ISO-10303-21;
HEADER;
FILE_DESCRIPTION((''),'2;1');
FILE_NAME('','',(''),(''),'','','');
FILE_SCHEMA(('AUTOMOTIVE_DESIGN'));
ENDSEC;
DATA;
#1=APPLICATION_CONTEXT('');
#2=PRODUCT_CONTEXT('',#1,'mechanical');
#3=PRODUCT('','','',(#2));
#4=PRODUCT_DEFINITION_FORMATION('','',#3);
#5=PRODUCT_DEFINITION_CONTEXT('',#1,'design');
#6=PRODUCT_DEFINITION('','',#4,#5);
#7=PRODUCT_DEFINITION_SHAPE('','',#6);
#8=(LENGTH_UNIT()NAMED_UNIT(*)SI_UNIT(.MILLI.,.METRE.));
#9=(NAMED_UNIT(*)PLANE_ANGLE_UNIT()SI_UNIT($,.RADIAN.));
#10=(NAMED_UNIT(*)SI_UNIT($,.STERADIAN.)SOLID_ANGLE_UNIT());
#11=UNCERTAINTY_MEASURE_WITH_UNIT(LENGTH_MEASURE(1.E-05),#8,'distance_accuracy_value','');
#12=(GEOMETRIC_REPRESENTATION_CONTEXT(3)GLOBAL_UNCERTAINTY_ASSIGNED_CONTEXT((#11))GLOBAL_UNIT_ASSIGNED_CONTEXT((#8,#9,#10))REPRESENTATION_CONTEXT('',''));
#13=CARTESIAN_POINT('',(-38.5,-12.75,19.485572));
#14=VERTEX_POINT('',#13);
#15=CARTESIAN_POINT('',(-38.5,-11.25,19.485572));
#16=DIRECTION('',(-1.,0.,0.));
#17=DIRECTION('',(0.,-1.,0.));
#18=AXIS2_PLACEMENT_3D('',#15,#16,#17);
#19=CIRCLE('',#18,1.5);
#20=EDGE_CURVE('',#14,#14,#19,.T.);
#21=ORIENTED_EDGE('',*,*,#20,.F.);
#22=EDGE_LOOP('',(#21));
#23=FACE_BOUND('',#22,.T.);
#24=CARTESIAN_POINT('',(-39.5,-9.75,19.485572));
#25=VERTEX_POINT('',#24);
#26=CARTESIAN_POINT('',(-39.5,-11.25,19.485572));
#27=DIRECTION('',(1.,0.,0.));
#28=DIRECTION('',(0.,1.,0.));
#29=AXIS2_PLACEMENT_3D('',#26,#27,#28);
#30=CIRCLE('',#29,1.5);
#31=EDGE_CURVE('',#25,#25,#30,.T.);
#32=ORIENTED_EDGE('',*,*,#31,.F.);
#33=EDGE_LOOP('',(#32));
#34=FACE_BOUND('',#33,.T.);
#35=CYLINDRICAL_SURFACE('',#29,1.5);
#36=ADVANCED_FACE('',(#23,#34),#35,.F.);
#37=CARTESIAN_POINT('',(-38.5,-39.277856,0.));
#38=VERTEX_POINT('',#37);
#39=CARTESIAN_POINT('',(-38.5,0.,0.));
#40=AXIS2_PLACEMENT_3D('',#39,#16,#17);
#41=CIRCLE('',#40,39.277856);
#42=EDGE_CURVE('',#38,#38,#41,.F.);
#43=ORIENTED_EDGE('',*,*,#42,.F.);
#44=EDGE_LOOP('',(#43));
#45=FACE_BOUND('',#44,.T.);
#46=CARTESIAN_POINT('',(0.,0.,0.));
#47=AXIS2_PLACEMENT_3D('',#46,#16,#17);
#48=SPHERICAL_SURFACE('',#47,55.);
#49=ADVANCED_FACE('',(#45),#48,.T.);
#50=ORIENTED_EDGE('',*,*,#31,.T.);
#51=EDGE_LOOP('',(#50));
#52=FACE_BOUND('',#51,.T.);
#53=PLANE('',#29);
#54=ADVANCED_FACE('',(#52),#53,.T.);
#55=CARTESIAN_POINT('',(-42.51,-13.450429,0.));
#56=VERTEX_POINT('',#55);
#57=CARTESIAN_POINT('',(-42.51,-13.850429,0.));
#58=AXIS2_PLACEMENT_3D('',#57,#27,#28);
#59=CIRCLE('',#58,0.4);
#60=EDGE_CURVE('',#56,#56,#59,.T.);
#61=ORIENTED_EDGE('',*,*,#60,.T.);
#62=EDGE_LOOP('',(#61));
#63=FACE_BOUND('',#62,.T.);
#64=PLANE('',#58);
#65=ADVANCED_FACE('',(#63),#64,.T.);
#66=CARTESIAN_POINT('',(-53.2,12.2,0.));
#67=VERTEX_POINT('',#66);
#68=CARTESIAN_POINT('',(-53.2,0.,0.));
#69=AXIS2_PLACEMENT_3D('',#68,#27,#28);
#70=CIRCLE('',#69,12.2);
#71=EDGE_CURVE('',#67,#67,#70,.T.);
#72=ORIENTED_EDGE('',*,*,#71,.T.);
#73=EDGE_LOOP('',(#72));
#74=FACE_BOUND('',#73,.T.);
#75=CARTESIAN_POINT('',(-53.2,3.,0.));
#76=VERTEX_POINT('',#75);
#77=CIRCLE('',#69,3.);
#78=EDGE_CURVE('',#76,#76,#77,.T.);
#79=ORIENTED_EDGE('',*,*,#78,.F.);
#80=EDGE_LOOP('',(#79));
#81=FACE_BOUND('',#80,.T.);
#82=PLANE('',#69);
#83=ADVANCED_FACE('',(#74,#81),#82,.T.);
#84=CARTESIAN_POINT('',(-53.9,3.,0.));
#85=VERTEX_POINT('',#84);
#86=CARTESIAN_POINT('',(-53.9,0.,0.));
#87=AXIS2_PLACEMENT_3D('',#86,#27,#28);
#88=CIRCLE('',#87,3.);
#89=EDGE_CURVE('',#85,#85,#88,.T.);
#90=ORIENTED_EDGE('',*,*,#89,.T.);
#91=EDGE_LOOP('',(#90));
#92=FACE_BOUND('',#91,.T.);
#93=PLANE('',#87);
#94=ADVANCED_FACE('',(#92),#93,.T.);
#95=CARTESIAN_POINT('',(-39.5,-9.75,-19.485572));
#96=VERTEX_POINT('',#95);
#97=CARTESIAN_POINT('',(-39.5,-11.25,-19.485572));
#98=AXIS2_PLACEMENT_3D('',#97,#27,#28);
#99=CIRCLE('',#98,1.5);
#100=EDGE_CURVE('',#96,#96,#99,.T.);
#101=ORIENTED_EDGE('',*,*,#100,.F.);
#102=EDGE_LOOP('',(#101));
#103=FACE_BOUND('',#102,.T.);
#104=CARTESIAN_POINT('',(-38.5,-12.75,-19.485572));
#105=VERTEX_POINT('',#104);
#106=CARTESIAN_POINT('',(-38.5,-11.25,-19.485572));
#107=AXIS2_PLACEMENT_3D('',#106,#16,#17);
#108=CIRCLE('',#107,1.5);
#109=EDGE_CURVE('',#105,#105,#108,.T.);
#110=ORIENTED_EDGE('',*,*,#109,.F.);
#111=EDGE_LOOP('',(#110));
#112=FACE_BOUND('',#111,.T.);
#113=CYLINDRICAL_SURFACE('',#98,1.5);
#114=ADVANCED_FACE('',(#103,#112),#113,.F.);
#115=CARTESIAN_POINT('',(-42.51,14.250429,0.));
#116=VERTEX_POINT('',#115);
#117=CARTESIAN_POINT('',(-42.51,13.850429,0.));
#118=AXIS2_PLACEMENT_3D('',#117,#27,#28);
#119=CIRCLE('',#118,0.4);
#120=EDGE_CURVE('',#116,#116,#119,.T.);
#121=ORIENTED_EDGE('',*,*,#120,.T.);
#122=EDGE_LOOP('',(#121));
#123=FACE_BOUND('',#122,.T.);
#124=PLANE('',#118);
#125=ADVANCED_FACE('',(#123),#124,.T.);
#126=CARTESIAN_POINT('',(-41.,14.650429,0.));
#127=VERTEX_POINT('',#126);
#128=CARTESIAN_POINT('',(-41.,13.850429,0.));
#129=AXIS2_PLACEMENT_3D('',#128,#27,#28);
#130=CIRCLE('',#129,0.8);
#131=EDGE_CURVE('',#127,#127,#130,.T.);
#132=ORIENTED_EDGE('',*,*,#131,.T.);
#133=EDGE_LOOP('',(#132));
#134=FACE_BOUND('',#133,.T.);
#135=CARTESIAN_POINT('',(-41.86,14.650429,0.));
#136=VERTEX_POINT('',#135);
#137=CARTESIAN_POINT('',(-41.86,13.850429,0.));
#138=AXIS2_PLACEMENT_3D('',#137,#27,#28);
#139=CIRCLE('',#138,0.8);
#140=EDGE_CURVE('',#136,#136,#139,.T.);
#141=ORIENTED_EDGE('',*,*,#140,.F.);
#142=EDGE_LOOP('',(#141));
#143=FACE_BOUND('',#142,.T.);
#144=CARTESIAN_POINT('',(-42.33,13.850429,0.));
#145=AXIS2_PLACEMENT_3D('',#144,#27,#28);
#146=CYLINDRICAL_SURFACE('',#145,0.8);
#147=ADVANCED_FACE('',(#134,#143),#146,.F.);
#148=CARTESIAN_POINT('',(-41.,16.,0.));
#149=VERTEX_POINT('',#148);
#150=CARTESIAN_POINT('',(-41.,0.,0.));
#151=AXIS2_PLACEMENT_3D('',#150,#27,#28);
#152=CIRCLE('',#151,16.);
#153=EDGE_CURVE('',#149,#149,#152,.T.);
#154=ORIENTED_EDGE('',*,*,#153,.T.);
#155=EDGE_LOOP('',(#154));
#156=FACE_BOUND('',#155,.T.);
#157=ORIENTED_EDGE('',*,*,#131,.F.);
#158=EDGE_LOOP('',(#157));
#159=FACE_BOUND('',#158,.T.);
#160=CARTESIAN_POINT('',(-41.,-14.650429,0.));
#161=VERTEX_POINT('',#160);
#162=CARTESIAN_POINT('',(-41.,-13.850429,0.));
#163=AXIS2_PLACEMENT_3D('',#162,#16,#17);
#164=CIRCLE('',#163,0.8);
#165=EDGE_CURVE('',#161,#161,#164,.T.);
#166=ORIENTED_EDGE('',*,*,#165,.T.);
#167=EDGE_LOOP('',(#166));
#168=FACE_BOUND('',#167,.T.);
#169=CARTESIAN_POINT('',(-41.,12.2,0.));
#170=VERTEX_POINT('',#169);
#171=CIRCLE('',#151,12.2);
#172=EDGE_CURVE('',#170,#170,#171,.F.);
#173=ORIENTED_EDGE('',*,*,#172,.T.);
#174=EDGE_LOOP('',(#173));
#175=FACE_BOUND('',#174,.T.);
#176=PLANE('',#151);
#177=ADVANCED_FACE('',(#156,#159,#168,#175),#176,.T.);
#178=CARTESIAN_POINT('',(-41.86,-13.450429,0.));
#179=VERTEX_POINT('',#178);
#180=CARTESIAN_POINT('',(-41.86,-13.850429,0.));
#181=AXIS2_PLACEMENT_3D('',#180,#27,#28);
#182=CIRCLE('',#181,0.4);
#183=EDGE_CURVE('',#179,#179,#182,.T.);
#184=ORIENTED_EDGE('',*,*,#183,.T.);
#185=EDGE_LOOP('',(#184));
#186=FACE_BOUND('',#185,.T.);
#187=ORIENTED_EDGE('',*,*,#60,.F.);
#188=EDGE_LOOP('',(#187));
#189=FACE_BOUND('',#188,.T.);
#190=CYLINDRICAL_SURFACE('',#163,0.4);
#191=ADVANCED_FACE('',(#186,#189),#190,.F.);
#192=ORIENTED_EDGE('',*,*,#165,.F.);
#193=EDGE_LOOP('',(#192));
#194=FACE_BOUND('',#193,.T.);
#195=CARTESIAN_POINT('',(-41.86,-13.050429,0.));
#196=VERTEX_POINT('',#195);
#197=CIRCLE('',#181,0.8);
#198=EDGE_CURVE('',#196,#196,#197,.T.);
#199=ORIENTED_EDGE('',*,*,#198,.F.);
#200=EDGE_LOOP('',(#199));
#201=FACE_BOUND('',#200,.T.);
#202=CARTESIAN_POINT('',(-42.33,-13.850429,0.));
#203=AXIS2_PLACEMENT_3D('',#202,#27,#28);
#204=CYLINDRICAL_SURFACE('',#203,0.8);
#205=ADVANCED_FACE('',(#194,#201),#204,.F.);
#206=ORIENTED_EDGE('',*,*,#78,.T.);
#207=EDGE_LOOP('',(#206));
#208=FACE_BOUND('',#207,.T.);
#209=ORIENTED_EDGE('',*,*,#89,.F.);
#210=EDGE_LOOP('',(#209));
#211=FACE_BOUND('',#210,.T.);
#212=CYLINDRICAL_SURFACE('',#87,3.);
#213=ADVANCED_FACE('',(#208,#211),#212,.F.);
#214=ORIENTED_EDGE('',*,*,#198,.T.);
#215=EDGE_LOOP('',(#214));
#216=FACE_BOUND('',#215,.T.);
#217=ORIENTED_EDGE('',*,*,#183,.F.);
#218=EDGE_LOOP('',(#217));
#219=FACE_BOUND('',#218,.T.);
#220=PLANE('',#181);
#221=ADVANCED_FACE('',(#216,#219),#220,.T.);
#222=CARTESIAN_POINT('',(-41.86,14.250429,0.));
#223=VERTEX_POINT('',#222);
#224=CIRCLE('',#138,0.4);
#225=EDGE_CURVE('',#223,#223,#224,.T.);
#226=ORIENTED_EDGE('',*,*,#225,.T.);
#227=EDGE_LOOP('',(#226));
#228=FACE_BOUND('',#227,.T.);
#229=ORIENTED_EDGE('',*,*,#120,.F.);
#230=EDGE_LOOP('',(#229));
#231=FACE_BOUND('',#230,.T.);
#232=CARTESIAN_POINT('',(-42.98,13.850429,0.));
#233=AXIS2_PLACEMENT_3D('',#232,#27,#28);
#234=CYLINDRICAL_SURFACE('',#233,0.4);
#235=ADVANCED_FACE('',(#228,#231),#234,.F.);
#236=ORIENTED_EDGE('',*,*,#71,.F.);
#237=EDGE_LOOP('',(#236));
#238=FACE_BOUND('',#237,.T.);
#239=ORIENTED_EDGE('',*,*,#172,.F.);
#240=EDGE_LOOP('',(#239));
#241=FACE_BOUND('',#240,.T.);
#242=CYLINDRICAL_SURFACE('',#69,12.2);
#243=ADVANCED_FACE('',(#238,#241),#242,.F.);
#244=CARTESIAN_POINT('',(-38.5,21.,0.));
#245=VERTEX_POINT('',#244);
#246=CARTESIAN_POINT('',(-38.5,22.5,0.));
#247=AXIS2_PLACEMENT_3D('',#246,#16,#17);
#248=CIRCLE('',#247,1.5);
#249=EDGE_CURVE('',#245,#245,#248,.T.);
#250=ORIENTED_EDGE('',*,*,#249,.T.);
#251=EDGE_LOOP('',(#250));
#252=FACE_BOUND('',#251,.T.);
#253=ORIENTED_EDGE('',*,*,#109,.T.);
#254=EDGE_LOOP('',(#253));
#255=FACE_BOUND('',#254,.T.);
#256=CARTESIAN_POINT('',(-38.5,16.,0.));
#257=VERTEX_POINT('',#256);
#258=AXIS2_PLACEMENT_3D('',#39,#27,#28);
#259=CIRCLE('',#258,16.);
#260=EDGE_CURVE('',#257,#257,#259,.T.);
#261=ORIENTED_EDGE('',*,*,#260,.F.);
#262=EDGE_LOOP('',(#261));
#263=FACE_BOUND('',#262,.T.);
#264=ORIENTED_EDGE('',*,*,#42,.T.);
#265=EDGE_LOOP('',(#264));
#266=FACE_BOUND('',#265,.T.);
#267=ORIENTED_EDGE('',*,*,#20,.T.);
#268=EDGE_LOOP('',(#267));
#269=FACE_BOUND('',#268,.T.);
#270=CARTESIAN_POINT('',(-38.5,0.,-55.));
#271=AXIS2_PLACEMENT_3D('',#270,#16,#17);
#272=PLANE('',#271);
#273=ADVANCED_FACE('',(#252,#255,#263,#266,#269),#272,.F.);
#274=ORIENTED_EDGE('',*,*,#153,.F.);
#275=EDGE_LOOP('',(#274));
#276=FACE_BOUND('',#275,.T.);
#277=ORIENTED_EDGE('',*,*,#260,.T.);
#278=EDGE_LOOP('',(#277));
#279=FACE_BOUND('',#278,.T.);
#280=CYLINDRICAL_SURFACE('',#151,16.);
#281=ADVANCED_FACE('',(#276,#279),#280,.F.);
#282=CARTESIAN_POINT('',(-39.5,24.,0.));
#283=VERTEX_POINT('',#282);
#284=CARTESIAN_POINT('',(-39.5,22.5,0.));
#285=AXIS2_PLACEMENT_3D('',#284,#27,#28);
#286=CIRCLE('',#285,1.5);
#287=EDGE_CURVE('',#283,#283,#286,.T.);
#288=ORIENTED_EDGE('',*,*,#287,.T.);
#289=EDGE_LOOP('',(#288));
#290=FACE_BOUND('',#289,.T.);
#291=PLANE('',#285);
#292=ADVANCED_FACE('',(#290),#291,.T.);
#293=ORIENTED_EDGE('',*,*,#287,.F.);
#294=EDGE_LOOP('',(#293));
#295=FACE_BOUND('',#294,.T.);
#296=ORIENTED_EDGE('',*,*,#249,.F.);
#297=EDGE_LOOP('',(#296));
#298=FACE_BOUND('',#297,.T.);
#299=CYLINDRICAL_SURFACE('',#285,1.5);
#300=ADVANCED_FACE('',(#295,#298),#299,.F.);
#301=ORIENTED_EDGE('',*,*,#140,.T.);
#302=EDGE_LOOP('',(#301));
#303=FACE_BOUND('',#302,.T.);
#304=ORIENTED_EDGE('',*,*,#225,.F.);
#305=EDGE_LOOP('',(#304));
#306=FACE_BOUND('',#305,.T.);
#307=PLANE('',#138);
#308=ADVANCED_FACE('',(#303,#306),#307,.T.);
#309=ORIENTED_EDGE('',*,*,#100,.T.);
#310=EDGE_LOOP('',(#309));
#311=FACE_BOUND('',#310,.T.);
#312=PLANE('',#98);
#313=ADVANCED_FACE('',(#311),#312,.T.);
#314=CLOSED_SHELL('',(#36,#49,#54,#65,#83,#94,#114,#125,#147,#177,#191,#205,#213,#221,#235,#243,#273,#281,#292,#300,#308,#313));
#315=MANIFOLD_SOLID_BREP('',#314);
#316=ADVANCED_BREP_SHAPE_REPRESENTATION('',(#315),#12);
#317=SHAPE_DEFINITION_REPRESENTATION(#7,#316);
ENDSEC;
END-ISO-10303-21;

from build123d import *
from build123d.topology import SkipClean

# Parameters (mm, degrees)
CUT_EXTRUDE_1_DEPTH      = 96.262794416
CUT_EXTRUDE_1_DEPTH_BACK = 96.262794416
SKETCH_3_R               = 12.2
CUT_EXTRUDE_2_DEPTH      = 14.7
SKETCH_4_R               = 3
CUT_EXTRUDE_3_DEPTH      = 0.7
SKETCH_5_R               = 1.5
EXTRUDE_1_DEPTH          = 1
CUT_EXTRUDE_START        = -2
SKETCH_6_R               = 1.5
CUT_EXTRUDE_4_DEPTH      = 2
SKETCH_7_R               = 16
CUT_EXTRUDE_5_DEPTH      = 2.5
SKETCH_8_R               = 1.598234635
CUT_EXTRUDE_6_DEPTH      = 1.33
SKETCH_9_R               = 0.8
CUT_EXTRUDE_9_DEPTH      = 1.98
EXTRUDE_START            = 1.98
SKETCH_13_R              = 0.8
EXTRUDE_2_DEPTH          = 1.98
EXTRUDE_START_2          = 1.33
SKETCH_15_R              = 1.598234635
EXTRUDE_3_DEPTH          = 1.33
SKETCH_18_R              = 0.8
EXTRUDE_5_DEPTH          = 1.98
SKETCH_16_R              = 1.598234635
EXTRUDE_6_DEPTH          = 1.33
SKETCH_19_R              = 0.4
CUT_EXTRUDE_10_DEPTH     = 1.98
CUT_EXTRUDE_START_2      = 1.98
SKETCH_21_R              = 0.4
CUT_EXTRUDE_13_DEPTH     = 1.98
SKETCH_22_R              = 0.8
CUT_EXTRUDE_14_DEPTH     = 1.33
EXTRUDE_START_3          = 0.47
SKETCH_24_R              = 0.4
EXTRUDE_8_DEPTH          = 0.47
SKETCH_25_R              = 0.8
SKETCH_25_R_2            = 0.4
EXTRUDE_10_DEPTH         = 0.47


with BuildPart() as part:
    # 草图1 → 旋转4 (revolve)
    with BuildSketch(Plane.XY):
        with BuildLine():
            Line((0, 55), (0, -55))
            ThreePointArc((0, -55), (-55, 0), (0, 55))
        make_face()
    revolve(axis=Axis((0, 55, 0), (0, -1, 0)))

    # 草图2 → 切除-拉伸1 (cut, two sides: drawn at the far end of the back side and taken through both)
    with SkipClean():  # the faces are left unmerged after this step: merging them gives an invalid solid
        with BuildSketch(Plane.XY.offset(-CUT_EXTRUDE_1_DEPTH_BACK)):
            Polygon((0, 55), (-38.5, 55), (-38.5, -53.32864138), (-38.5, -63.890241206), (57.744437859, -63.890241206), (57.744437859, 55), align=None)
        extrude(amount=CUT_EXTRUDE_1_DEPTH + CUT_EXTRUDE_1_DEPTH_BACK, mode=Mode.SUBTRACT)

    # 草图3 → 切除-拉伸2 (cut)
    with SkipClean():  # the faces are left unmerged after this step: merging them gives an invalid solid
        with BuildSketch(Plane(origin=(-38.5, 0, 0), x_dir=(0, 0, -1), z_dir=(1, 0, 0))):
            with Locations(Location((0, 0, 0), (0, 0, 90))):
                Circle(SKETCH_3_R)
        extrude(amount=-CUT_EXTRUDE_2_DEPTH, mode=Mode.SUBTRACT)

    # 草图4 → 切除-拉伸3 (cut)
    with SkipClean():  # the faces are left unmerged after this step: merging them gives an invalid solid
        with BuildSketch(Plane(origin=(-53.2, 0, 0), x_dir=(0, 0, -1), z_dir=(1, 0, 0))):
            with Locations(Location((0, 0, 0), (0, 0, 90))):
                Circle(SKETCH_4_R)
        extrude(amount=-CUT_EXTRUDE_3_DEPTH, mode=Mode.SUBTRACT)

    # 草图5 → 凸台-拉伸1 (add)
    with SkipClean():  # the faces are left unmerged after this step: merging them gives an invalid solid
        with BuildSketch(Plane(origin=(-38.5, 0, 0), x_dir=(0, 0, -1), z_dir=(1, 0, 0))):
            with Locations(Location((0, 22.5, 0), (0, 0, 270))):
                Circle(SKETCH_5_R)
            with Locations(Location((19.485571585, -11.25, 0), (0, 0, 270))):
                Circle(SKETCH_5_R)
            with Locations(Location((-19.485571585, -11.25, 0), (0, 0, 270))):
                Circle(SKETCH_5_R)
        extrude(amount=EXTRUDE_1_DEPTH)

    # 草图6 → 切除-拉伸4 (cut)
    with SkipClean():  # the faces are left unmerged after this step: merging them gives an invalid solid
        with BuildSketch(Plane(origin=(-37.5, 0, 0), x_dir=(0, 0, -1), z_dir=(1, 0, 0)).offset(CUT_EXTRUDE_START)):
            with Locations(Location((0, 22.5, 0), (0, 0, 90))):
                Circle(SKETCH_6_R)
            with Locations(Location((-19.485571585, -11.25, 0), (0, 0, 90))):
                Circle(SKETCH_6_R)
            with Locations(Location((19.485571585, -11.25, 0), (0, 0, 90))):
                Circle(SKETCH_6_R)
        extrude(amount=CUT_EXTRUDE_4_DEPTH, mode=Mode.SUBTRACT)

    # 草图7 → 切除-拉伸5 (cut)
    with SkipClean():  # the faces are left unmerged after this step: merging them gives an invalid solid
        with BuildSketch(Plane(origin=(-38.5, 0, 0), x_dir=(0, 0, -1), z_dir=(1, 0, 0))):
            with Locations(Location((0, 0, 0), (0, 0, 90))):
                Circle(SKETCH_7_R)
        extrude(amount=-CUT_EXTRUDE_5_DEPTH, mode=Mode.SUBTRACT)

    # 草图8 → 切除-拉伸6 (cut)
    with SkipClean():  # the faces are left unmerged after this step: merging them gives an invalid solid
        with BuildSketch(Plane(origin=(-41, 0, 0), x_dir=(0, 0, -1), z_dir=(1, 0, 0))):
            with Locations(Location((0, 14.008048354, 0), (0, 0, 90))):
                Circle(SKETCH_8_R)
            with Locations(Location((0, -14.008048354, 0), (0, 0, 270))):
                Circle(SKETCH_8_R)
        extrude(amount=-CUT_EXTRUDE_6_DEPTH, mode=Mode.SUBTRACT)

    # 草图9 → 切除-拉伸9 (cut)
    with SkipClean():  # the faces are left unmerged after this step: merging them gives an invalid solid
        with BuildSketch(Plane(origin=(-41, 0, 0), x_dir=(0, 0, -1), z_dir=(1, 0, 0))):
            with Locations(Location((0, 14.008048354, 0), (0, 0, 90))):
                Circle(SKETCH_9_R)
            with Locations(Location((0, -14.008048354, 0), (0, 0, 270))):
                Circle(SKETCH_9_R)
        extrude(amount=-CUT_EXTRUDE_9_DEPTH, mode=Mode.SUBTRACT)

    # 草图13 → 凸台-拉伸2 (add)
    with SkipClean():  # the faces are left unmerged after this step: merging them gives an invalid solid
        with BuildSketch(Plane(origin=(-42.98, 0, 0), x_dir=(0, 0, -1), z_dir=(1, 0, 0)).offset(EXTRUDE_START)):
            with Locations(Location((0, 14.008048354, 0), (0, 0, 90))):
                Circle(SKETCH_13_R)
        extrude(amount=-EXTRUDE_2_DEPTH)

    # 草图15 → 凸台-拉伸3 (add)
    with SkipClean():  # the faces are left unmerged after this step: merging them gives an invalid solid
        with BuildSketch(Plane(origin=(-42.33, 0, 0), x_dir=(0, 0, -1), z_dir=(1, 0, 0)).offset(EXTRUDE_START_2)):
            with Locations((0, 14.008048354)):
                Circle(SKETCH_15_R)
        extrude(amount=-EXTRUDE_3_DEPTH)

    # 草图18 → 凸台-拉伸5 (add)
    with SkipClean():  # the faces are left unmerged after this step: merging them gives an invalid solid
        with BuildSketch(Plane(origin=(-42.98, 0, 0), x_dir=(0, 0, -1), z_dir=(1, 0, 0)).offset(EXTRUDE_START)):
            with Locations(Location((0, -14.008048354, 0), (0, 0, 270))):
                Circle(SKETCH_18_R)
        extrude(amount=-EXTRUDE_5_DEPTH)

    # 草图16 → 凸台-拉伸6 (add)
    with SkipClean():  # the faces are left unmerged after this step: merging them gives an invalid solid
        with BuildSketch(Plane(origin=(-42.33, 0, 0), x_dir=(0, 0, -1), z_dir=(1, 0, 0)).offset(EXTRUDE_START_2)):
            with Locations((0, -14.008048354)):
                Circle(SKETCH_16_R)
        extrude(amount=-EXTRUDE_6_DEPTH)

    # 草图19 → 切除-拉伸10 (cut)
    with SkipClean():  # the faces are left unmerged after this step: merging them gives an invalid solid
        with BuildSketch(Plane(origin=(-41, 0, 0), x_dir=(0, 0, -1), z_dir=(1, 0, 0))):
            with Locations(Location((0, 13.850429171, 0), (0, 0, 90))):
                Circle(SKETCH_19_R)
        extrude(amount=-CUT_EXTRUDE_10_DEPTH, mode=Mode.SUBTRACT)

    # 草图21 → 切除-拉伸13 (cut)
    with SkipClean():  # the faces are left unmerged after this step: merging them gives an invalid solid
        with BuildSketch(Plane(origin=(-42.98, 0, 0), x_dir=(0, 0, -1), z_dir=(1, 0, 0)).offset(CUT_EXTRUDE_START_2)):
            with Locations(Location((0, 13.850429171, 0), (0, 0, 90))):
                Circle(SKETCH_21_R)
            with Locations(Location((0, -13.850429171, 0), (0, 0, 270))):
                Circle(SKETCH_21_R)
        extrude(amount=-CUT_EXTRUDE_13_DEPTH, mode=Mode.SUBTRACT)

    # 草图22 → 切除-拉伸14 (cut)
    with SkipClean():  # the faces are left unmerged after this step: merging them gives an invalid solid
        with BuildSketch(Plane(origin=(-41, 0, 0), x_dir=(0, 0, -1), z_dir=(1, 0, 0))):
            with Locations(Location((0, 13.850429171, 0), (0, 0, 90))):
                Circle(SKETCH_22_R)
            with Locations(Location((0, -13.850429171, 0), (0, 0, 270))):
                Circle(SKETCH_22_R)
        extrude(amount=-CUT_EXTRUDE_14_DEPTH, mode=Mode.SUBTRACT)

    # 草图24 → 凸台-拉伸8 (add)
    with SkipClean():  # the faces are left unmerged after this step: merging them gives an invalid solid
        with BuildSketch(Plane(origin=(-42.98, 0, 0), x_dir=(0, 0, -1), z_dir=(1, 0, 0)).offset(EXTRUDE_START_3)):
            with Locations(Location((0, 13.850429171, 0), (0, 0, 90))):
                Circle(SKETCH_24_R)
            with Locations(Location((0, -13.850429171, 0), (0, 0, 270))):
                Circle(SKETCH_24_R)
        extrude(amount=-EXTRUDE_8_DEPTH)

    # 草图25 → 凸台-拉伸10 (add)
    # profile 1 of 2: a face of its own
    with SkipClean():  # the faces are left unmerged after this step: merging them gives an invalid solid
        with BuildSketch(Plane(origin=(-42.33, 0, 0), x_dir=(0, 0, -1), z_dir=(1, 0, 0)).offset(EXTRUDE_START_3)):
            with Locations(Location((0, 13.850429171, 0), (0, 0, 90))):
                Circle(SKETCH_25_R)
            with Locations(Location((0, 13.850429171, 0), (0, 0, 90))):
                Circle(SKETCH_25_R_2, mode=Mode.SUBTRACT)
        # profile 2 of 2: a face of its own
        with BuildSketch(Plane(origin=(-42.33, 0, 0), x_dir=(0, 0, -1), z_dir=(1, 0, 0)).offset(EXTRUDE_START_3)):
            with Locations(Location((0, -13.850429171, 0), (0, 0, 90))):
                Circle(SKETCH_25_R)
            with Locations(Location((0, -13.850429171, 0), (0, 0, 90))):
                Circle(SKETCH_25_R_2, mode=Mode.SUBTRACT)
        extrude(amount=-EXTRUDE_10_DEPTH)


solid = part.part
